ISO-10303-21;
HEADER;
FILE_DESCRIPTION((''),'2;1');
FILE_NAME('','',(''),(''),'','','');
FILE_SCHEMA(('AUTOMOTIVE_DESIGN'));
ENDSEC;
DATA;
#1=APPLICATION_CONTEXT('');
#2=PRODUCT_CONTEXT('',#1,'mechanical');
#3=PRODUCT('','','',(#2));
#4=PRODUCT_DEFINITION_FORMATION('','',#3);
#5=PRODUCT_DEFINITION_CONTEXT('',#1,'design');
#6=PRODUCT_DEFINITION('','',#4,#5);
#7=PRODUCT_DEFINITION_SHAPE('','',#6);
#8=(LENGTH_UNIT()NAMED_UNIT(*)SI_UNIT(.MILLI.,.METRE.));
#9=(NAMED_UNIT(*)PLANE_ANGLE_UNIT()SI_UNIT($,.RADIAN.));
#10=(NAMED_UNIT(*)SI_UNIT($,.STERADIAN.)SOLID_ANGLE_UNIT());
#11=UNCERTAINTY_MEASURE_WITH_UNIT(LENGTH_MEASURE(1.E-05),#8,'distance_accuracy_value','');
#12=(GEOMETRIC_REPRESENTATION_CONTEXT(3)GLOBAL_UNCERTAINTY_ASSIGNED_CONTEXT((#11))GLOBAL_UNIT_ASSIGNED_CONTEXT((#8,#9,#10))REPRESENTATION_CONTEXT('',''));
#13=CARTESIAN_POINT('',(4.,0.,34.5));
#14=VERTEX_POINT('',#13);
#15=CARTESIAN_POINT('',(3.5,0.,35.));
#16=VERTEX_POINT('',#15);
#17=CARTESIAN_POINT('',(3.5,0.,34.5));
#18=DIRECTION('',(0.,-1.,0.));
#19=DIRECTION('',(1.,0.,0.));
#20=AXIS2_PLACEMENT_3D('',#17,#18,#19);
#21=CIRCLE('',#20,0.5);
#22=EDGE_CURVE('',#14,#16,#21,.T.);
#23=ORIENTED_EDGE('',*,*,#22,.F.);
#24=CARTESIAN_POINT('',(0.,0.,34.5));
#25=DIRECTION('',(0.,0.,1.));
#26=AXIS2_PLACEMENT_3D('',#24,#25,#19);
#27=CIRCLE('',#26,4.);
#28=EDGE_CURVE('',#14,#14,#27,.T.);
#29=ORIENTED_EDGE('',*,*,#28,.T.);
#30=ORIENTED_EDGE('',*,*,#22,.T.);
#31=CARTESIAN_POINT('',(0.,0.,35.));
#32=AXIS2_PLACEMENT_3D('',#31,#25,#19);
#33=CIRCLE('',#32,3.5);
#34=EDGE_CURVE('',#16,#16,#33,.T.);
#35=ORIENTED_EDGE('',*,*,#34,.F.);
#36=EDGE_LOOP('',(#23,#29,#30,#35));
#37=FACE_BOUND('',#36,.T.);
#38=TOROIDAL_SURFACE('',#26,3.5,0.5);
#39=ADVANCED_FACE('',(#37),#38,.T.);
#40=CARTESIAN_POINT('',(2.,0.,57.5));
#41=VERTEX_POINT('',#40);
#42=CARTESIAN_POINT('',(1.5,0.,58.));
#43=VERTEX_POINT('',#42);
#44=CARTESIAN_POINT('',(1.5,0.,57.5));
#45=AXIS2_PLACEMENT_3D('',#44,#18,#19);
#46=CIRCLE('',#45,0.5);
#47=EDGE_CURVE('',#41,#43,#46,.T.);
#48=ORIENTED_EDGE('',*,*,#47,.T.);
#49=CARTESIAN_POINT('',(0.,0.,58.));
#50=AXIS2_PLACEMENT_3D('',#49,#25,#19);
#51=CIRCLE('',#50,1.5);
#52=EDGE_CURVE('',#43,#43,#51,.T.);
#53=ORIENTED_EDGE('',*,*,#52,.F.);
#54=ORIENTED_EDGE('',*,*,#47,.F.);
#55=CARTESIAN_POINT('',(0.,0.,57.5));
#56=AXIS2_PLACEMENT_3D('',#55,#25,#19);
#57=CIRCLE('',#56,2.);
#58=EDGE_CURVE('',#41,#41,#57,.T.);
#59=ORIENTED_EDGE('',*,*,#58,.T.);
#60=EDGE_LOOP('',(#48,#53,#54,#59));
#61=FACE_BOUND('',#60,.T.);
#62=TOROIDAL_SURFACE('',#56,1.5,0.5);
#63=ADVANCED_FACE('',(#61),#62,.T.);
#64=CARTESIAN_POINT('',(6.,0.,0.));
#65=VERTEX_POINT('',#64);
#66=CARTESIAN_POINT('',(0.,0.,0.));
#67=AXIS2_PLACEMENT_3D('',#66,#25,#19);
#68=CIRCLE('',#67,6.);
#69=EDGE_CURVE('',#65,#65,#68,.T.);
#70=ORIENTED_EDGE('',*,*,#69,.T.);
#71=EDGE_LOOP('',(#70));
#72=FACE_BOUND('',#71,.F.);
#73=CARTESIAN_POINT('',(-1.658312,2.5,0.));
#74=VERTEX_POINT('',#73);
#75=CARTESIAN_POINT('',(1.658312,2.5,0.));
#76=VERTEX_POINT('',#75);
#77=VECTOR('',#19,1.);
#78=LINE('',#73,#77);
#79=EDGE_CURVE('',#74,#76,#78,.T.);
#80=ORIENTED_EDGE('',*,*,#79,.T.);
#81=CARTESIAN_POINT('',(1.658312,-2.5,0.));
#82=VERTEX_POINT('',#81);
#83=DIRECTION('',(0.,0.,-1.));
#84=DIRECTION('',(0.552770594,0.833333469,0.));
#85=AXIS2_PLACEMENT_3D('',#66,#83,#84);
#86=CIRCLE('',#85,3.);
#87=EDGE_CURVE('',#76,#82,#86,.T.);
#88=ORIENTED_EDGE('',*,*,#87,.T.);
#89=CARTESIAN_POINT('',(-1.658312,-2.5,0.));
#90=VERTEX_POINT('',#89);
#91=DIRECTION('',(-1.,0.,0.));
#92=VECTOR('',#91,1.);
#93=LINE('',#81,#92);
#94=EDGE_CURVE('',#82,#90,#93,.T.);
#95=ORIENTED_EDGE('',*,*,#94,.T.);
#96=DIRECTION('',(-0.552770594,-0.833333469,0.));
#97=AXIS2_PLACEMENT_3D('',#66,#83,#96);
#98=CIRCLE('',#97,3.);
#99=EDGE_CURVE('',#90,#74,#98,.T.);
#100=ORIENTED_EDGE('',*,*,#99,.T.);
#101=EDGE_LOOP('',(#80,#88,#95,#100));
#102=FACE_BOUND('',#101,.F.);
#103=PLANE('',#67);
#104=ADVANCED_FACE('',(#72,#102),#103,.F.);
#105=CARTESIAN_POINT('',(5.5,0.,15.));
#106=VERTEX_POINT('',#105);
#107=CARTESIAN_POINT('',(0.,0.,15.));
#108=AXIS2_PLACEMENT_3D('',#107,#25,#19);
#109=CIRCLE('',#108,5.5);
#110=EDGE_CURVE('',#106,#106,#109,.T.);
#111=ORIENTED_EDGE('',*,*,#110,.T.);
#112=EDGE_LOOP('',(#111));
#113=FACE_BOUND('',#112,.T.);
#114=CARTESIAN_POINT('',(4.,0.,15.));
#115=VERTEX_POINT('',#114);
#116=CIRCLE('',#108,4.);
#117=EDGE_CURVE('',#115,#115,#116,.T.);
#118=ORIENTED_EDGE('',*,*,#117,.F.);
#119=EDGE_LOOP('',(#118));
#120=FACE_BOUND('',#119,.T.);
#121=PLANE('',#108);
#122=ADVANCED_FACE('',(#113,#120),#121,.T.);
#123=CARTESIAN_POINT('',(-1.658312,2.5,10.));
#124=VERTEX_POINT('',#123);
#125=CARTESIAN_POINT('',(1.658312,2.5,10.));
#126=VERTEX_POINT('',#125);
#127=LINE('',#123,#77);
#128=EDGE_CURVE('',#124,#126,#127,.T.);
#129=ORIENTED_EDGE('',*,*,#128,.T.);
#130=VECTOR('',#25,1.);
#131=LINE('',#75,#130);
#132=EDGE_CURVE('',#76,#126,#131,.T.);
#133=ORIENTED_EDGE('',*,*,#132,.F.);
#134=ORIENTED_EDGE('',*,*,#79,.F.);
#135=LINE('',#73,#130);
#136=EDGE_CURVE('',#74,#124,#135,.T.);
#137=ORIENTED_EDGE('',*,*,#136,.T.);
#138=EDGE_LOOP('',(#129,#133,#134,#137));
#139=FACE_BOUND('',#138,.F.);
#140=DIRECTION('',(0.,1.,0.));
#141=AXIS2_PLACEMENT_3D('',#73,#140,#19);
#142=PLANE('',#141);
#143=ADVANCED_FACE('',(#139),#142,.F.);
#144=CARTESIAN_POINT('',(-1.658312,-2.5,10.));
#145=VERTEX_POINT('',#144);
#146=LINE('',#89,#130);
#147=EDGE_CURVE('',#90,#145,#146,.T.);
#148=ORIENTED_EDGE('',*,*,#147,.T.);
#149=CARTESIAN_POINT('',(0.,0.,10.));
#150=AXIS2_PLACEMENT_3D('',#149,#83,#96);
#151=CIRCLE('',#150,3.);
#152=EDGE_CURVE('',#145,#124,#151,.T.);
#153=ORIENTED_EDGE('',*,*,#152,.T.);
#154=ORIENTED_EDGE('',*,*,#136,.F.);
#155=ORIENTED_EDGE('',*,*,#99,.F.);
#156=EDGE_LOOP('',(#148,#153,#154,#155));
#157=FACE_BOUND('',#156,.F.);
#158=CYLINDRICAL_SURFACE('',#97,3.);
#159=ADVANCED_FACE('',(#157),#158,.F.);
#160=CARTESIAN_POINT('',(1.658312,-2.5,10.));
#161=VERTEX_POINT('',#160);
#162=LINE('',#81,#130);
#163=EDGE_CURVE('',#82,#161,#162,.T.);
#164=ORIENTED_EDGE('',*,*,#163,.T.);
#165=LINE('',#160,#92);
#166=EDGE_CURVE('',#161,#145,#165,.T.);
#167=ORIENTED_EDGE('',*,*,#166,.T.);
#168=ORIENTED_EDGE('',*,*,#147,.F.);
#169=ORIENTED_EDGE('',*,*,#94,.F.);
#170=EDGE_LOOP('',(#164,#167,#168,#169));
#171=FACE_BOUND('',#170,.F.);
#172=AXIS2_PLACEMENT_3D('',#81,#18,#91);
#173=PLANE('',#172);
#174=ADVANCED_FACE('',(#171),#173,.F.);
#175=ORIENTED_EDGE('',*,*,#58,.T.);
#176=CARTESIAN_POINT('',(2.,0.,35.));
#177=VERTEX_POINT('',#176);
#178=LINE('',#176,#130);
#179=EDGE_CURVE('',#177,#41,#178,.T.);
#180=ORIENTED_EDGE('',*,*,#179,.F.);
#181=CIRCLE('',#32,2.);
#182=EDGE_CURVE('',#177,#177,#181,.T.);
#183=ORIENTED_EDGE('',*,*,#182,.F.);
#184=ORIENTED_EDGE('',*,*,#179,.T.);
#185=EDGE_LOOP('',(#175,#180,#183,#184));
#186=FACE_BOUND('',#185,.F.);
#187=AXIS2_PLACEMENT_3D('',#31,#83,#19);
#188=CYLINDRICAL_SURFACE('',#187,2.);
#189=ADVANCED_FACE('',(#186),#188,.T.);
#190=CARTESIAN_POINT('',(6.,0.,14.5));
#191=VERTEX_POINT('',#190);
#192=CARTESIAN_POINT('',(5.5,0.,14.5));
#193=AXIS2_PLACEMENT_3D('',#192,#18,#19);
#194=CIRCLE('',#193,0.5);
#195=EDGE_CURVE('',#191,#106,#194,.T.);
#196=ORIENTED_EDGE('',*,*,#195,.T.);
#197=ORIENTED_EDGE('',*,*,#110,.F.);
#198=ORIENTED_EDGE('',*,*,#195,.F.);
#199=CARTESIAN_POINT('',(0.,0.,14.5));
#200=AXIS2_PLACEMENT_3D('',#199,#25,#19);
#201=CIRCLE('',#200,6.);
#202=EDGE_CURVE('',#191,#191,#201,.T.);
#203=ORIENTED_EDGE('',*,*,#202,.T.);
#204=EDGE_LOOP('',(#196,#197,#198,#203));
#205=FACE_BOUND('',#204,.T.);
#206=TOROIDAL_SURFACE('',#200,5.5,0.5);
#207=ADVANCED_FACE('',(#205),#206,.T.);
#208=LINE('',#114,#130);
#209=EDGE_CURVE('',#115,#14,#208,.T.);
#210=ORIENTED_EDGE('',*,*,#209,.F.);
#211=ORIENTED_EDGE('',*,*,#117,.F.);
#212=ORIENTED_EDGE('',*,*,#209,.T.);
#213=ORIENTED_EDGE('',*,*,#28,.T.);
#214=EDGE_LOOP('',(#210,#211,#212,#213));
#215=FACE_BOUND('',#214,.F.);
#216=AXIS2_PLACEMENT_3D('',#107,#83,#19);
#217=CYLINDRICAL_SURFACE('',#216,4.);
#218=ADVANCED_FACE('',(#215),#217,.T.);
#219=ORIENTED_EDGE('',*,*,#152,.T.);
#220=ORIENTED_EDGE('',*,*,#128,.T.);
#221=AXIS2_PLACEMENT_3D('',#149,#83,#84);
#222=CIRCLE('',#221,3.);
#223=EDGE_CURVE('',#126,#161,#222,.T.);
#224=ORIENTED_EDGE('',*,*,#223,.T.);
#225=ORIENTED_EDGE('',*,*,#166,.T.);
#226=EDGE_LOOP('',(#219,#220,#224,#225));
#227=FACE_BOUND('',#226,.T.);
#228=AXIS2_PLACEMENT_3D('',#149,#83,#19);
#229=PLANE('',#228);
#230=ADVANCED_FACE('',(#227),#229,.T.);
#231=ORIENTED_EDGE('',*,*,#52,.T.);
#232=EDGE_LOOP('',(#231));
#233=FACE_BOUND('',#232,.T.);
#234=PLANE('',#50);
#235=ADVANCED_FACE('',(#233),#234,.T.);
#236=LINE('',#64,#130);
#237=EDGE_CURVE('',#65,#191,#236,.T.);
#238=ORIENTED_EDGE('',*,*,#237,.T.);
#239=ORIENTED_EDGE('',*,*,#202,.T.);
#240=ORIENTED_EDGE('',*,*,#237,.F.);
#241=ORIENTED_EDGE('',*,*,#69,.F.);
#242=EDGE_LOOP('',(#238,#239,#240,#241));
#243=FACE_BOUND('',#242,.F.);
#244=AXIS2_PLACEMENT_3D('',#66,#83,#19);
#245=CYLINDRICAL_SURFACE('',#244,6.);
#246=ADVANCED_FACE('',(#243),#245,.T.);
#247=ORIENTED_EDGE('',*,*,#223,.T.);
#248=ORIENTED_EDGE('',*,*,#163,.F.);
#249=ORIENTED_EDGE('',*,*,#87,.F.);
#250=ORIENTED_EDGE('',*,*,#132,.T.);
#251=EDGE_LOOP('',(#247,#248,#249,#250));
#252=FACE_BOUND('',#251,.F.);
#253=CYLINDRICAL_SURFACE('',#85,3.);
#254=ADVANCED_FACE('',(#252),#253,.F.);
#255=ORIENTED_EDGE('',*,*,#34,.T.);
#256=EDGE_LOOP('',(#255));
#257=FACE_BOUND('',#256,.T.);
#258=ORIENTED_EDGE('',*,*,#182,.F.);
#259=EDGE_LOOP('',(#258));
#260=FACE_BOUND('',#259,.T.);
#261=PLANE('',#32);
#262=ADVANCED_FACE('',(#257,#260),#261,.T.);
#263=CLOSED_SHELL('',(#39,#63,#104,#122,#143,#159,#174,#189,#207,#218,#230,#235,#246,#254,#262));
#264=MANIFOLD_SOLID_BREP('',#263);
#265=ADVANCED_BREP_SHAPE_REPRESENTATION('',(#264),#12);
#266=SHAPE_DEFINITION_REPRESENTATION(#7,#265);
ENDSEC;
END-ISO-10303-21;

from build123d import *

# Parameters (mm, degrees)
F0_R     = 6
F1_DEPTH = 15
F2_R     = 4
F3_DEPTH = 20
F4_R     = 2
F5_DEPTH = 23
F6_R     = 0.5
F8_DEPTH = 10


with BuildPart() as f1:
    # F0 (on Top) → F1 (new body)
    with BuildSketch(Plane.XY):
        Circle(F0_R)
    extrude(amount=F1_DEPTH)

    # F2 (on face) → F3 (join)
    with BuildSketch(Plane.XY.offset(15)):
        Circle(F2_R)
    extrude(amount=F3_DEPTH)

    # F4 (on face) → F5 (join)
    with BuildSketch(Plane.XY.offset(35)):
        Circle(F4_R)
    extrude(amount=F5_DEPTH)

    # F6
    f6_edges = [f1.edges().sort_by_distance(p)[0] for p in [
        (-4, 0, 35),
        (-6, 0, 15),
        (-2, 0, 58),
    ]]
    fillet(f6_edges, radius=F6_R)

    # F7 (on face) → F8 (cut)
    with BuildSketch(Plane(origin=(0, 0, 0), x_dir=(1, 0, 0), z_dir=(0, 0, -1))):
        with BuildLine():
            ThreePointArc((-1.658312, 2.5), (-3, 0), (-1.658312, -2.5))
            Line((-1.658312, -2.5), (1.658312, -2.5))
            ThreePointArc((1.658312, -2.5), (3, 0), (1.658312, 2.5))
            Line((1.658312, 2.5), (-1.658312, 2.5))
        make_face()
    extrude(amount=-F8_DEPTH, mode=Mode.SUBTRACT)


solid = f1.part
